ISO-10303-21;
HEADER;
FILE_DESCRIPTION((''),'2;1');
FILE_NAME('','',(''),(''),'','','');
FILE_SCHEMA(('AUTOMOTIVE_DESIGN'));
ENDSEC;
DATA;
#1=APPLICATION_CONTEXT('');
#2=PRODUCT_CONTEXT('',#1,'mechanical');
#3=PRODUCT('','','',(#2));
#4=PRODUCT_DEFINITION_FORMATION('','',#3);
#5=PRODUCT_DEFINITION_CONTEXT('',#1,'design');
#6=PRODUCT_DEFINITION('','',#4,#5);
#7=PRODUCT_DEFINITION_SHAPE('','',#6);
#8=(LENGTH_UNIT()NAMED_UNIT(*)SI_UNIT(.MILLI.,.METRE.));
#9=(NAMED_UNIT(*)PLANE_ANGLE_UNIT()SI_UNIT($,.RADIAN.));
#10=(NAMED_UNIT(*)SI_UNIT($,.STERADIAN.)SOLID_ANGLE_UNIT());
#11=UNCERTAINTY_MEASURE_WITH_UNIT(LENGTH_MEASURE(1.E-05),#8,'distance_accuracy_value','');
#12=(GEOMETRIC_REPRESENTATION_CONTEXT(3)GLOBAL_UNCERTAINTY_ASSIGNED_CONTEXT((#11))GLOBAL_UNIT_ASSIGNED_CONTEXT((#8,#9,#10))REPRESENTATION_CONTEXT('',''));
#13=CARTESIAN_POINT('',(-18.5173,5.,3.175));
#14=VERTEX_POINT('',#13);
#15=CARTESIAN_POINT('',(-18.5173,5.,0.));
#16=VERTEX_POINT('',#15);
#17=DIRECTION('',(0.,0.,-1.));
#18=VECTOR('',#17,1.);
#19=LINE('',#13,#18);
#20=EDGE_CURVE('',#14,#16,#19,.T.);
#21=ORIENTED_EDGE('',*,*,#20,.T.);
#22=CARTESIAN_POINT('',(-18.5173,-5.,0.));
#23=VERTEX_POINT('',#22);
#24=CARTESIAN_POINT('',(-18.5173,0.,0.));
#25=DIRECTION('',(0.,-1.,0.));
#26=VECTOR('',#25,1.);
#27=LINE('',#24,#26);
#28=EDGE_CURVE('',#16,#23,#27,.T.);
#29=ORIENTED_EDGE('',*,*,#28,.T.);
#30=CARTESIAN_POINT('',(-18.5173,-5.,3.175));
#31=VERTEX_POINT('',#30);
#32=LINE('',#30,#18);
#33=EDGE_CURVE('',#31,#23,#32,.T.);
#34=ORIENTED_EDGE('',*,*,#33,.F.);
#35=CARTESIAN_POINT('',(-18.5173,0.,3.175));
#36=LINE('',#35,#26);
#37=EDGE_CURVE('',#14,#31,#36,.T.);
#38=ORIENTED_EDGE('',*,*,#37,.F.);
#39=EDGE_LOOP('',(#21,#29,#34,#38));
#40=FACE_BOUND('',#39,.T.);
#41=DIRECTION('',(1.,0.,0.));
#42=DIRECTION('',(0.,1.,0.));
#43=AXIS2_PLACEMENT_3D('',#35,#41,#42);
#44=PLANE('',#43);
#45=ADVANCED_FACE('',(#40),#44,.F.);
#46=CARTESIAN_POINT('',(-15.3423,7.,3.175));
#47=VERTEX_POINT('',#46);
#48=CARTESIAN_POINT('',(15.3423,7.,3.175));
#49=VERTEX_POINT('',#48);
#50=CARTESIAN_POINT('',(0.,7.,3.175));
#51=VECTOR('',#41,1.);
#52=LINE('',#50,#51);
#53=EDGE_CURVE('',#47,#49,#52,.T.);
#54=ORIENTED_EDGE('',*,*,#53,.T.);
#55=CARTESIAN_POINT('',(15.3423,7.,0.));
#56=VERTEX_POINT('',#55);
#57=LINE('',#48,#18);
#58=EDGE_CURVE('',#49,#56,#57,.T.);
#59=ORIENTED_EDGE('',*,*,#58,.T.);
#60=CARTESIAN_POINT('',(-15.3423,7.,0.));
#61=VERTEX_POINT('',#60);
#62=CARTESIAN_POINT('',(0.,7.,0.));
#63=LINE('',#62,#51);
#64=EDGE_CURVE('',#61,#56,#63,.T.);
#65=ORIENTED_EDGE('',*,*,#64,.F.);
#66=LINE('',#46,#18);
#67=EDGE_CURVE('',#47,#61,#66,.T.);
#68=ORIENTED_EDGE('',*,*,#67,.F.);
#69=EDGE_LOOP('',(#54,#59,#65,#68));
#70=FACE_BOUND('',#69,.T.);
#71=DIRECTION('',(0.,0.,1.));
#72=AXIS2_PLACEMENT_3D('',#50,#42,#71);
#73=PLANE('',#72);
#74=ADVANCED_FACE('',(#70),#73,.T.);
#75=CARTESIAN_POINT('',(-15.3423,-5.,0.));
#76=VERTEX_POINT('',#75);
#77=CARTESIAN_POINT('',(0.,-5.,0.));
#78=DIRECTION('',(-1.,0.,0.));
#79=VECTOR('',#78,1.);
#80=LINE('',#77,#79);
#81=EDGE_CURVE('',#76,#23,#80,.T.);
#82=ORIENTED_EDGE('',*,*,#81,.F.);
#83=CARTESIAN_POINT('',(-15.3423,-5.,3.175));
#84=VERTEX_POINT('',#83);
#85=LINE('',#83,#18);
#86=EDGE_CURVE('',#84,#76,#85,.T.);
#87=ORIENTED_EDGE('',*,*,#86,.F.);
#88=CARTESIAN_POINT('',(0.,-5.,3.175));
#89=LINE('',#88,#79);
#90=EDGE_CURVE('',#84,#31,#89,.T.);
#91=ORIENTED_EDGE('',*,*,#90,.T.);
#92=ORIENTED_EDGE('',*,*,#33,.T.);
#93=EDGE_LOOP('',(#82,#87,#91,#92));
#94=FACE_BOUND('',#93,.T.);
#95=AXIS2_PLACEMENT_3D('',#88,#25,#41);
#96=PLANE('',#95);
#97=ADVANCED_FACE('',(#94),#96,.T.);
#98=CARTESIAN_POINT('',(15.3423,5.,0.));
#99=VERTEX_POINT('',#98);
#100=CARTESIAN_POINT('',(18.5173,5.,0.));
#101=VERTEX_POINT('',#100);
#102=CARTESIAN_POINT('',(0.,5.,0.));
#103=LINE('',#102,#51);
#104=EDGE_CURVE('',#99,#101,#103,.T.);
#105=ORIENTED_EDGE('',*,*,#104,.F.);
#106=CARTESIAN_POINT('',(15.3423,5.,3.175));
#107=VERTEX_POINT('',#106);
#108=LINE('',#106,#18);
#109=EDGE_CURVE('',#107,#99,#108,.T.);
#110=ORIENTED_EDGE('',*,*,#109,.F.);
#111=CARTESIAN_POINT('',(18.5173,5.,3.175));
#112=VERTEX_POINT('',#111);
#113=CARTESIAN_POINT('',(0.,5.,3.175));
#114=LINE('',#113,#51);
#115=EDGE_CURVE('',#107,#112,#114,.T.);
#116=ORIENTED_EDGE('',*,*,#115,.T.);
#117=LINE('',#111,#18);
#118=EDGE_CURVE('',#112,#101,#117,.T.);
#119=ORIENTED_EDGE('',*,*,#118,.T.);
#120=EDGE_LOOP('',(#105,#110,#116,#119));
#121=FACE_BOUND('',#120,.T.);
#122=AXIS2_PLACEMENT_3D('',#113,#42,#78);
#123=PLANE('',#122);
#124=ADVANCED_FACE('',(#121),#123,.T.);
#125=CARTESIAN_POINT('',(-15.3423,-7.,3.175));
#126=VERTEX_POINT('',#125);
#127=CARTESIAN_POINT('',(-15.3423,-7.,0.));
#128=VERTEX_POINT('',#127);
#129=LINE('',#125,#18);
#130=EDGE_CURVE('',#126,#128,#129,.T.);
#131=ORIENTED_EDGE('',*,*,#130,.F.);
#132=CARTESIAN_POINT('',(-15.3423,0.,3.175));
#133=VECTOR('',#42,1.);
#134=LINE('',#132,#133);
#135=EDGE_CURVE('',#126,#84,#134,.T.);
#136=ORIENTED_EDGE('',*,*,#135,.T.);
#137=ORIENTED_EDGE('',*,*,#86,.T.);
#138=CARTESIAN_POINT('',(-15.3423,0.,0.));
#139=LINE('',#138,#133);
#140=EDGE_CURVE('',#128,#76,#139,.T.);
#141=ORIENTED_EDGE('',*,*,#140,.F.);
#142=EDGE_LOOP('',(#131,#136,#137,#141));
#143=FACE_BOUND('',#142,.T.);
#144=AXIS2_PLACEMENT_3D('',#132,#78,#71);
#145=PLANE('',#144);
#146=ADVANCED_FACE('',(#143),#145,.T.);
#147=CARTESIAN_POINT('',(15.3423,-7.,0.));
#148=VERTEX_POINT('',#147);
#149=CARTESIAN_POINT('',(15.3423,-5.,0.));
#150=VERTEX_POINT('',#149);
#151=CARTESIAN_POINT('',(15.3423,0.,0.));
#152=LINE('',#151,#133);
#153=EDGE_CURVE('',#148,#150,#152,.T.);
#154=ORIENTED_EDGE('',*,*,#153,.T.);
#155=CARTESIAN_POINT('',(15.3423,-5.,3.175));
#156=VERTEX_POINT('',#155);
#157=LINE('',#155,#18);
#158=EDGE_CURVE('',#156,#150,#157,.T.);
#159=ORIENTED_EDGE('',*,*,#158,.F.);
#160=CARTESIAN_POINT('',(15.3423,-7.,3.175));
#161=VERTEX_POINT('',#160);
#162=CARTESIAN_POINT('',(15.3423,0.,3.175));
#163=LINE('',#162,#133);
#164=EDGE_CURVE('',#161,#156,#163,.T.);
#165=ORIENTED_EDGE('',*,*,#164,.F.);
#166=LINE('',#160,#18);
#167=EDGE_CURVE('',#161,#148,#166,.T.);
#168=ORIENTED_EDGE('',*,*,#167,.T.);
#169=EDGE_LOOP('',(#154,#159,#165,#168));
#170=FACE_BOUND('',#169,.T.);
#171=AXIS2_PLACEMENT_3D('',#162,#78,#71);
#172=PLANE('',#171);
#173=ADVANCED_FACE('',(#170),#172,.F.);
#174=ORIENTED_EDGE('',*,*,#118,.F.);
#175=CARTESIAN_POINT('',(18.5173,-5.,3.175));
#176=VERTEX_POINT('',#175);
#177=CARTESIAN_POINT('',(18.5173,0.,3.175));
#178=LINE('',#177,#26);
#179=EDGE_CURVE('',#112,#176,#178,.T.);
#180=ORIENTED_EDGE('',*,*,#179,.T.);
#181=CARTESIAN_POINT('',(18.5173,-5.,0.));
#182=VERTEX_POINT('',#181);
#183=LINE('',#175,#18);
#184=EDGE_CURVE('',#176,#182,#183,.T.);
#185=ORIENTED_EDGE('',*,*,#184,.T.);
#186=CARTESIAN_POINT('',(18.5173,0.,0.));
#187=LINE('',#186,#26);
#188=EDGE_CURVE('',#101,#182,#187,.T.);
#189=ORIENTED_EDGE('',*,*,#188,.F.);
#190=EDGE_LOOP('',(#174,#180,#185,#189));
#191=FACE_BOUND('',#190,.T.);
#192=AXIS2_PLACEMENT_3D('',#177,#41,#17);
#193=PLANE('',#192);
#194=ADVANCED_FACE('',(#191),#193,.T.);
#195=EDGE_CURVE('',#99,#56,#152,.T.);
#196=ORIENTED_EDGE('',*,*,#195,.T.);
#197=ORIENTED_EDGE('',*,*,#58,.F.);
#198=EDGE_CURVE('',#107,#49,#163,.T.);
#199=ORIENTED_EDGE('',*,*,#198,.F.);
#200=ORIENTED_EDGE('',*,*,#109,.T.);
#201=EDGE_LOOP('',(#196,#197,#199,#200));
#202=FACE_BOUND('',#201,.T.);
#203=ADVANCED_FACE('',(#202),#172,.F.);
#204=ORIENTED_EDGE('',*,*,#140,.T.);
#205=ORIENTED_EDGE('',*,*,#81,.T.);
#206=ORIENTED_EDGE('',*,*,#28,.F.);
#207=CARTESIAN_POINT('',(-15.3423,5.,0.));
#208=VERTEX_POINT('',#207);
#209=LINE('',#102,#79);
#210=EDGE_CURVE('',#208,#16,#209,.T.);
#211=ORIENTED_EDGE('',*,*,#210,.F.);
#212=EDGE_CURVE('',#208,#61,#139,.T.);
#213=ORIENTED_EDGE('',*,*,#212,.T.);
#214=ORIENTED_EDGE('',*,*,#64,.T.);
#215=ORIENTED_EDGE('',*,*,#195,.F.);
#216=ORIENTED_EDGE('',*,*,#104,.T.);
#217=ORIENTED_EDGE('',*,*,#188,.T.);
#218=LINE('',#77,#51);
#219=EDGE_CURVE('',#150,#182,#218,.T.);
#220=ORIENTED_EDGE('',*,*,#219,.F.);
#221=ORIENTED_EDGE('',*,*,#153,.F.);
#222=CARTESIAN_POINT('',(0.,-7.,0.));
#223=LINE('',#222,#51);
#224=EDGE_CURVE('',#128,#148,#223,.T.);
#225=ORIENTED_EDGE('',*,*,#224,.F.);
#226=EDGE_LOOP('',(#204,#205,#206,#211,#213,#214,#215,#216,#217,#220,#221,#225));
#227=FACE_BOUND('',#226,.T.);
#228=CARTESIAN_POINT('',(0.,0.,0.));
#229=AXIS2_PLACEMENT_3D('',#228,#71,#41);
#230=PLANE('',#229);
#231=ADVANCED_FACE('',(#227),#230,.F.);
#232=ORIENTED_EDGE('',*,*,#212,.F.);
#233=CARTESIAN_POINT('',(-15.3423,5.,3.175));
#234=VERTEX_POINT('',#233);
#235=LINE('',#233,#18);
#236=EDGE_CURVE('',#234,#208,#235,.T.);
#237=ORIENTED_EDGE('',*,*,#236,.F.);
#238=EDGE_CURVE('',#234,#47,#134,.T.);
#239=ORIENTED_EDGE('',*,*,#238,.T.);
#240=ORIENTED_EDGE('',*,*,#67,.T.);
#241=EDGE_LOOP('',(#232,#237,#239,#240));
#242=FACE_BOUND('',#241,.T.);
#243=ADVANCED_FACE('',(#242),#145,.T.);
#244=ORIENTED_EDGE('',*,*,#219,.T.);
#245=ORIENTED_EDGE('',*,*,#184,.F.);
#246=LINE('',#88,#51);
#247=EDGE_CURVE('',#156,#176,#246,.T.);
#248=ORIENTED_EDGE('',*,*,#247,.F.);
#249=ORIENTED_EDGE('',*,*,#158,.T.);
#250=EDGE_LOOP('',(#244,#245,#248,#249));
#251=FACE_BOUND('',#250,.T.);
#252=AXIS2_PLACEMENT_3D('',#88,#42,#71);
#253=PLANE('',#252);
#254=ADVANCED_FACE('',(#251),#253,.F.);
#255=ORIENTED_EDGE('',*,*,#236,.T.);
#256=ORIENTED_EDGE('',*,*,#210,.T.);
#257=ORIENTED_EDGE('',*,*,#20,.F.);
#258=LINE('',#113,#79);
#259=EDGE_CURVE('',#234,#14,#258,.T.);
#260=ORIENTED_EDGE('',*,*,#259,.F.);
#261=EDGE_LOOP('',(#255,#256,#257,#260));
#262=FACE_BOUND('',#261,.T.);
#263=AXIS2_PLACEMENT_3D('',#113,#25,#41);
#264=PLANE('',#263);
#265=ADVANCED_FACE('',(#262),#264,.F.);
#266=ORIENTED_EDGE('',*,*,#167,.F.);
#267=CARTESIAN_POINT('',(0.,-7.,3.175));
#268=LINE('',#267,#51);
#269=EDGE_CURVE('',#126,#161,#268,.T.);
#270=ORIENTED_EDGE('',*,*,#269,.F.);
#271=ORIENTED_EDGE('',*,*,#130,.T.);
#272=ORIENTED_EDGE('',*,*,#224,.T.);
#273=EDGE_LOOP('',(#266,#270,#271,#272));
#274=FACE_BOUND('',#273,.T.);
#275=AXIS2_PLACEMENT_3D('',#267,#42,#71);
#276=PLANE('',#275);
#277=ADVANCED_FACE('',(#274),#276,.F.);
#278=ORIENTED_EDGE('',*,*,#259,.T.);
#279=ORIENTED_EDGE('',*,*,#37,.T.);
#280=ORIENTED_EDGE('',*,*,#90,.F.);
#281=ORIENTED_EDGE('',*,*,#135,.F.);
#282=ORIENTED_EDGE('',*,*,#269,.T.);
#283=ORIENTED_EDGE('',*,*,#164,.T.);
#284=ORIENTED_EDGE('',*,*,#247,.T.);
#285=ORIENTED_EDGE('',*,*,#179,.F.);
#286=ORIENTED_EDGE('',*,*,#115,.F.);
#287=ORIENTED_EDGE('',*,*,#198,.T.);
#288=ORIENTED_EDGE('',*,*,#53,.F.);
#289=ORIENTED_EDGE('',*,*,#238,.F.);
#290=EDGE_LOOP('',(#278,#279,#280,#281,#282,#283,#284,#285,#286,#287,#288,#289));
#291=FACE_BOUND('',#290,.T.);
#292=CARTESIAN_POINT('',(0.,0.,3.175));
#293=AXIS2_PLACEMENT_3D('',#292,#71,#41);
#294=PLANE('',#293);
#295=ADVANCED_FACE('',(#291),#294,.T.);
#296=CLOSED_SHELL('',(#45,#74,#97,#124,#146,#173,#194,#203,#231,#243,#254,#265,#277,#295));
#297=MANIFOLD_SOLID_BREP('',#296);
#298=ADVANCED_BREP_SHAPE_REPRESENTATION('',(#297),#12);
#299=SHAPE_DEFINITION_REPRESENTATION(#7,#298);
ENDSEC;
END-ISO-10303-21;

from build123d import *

# Parameters (mm, degrees)
SKETCH2_W           = 3.175
SKETCH2_H           = 10
SKETCH2_W_2         = 30.6846
SKETCH2_H_2         = 14
BOSS_EXTRUDE1_DEPTH = 3.175


with BuildPart() as part:
    # Sketch2 → Boss-Extrude1 (new body)
    with BuildSketch(Plane.XY):
        with Locations((-16.9298, 0)):
            Rectangle(SKETCH2_W, SKETCH2_H)
        Rectangle(SKETCH2_W_2, SKETCH2_H_2)
        with Locations((16.9298, 0)):
            Rectangle(SKETCH2_W, SKETCH2_H)
    extrude(amount=BOSS_EXTRUDE1_DEPTH)


solid = part.part
